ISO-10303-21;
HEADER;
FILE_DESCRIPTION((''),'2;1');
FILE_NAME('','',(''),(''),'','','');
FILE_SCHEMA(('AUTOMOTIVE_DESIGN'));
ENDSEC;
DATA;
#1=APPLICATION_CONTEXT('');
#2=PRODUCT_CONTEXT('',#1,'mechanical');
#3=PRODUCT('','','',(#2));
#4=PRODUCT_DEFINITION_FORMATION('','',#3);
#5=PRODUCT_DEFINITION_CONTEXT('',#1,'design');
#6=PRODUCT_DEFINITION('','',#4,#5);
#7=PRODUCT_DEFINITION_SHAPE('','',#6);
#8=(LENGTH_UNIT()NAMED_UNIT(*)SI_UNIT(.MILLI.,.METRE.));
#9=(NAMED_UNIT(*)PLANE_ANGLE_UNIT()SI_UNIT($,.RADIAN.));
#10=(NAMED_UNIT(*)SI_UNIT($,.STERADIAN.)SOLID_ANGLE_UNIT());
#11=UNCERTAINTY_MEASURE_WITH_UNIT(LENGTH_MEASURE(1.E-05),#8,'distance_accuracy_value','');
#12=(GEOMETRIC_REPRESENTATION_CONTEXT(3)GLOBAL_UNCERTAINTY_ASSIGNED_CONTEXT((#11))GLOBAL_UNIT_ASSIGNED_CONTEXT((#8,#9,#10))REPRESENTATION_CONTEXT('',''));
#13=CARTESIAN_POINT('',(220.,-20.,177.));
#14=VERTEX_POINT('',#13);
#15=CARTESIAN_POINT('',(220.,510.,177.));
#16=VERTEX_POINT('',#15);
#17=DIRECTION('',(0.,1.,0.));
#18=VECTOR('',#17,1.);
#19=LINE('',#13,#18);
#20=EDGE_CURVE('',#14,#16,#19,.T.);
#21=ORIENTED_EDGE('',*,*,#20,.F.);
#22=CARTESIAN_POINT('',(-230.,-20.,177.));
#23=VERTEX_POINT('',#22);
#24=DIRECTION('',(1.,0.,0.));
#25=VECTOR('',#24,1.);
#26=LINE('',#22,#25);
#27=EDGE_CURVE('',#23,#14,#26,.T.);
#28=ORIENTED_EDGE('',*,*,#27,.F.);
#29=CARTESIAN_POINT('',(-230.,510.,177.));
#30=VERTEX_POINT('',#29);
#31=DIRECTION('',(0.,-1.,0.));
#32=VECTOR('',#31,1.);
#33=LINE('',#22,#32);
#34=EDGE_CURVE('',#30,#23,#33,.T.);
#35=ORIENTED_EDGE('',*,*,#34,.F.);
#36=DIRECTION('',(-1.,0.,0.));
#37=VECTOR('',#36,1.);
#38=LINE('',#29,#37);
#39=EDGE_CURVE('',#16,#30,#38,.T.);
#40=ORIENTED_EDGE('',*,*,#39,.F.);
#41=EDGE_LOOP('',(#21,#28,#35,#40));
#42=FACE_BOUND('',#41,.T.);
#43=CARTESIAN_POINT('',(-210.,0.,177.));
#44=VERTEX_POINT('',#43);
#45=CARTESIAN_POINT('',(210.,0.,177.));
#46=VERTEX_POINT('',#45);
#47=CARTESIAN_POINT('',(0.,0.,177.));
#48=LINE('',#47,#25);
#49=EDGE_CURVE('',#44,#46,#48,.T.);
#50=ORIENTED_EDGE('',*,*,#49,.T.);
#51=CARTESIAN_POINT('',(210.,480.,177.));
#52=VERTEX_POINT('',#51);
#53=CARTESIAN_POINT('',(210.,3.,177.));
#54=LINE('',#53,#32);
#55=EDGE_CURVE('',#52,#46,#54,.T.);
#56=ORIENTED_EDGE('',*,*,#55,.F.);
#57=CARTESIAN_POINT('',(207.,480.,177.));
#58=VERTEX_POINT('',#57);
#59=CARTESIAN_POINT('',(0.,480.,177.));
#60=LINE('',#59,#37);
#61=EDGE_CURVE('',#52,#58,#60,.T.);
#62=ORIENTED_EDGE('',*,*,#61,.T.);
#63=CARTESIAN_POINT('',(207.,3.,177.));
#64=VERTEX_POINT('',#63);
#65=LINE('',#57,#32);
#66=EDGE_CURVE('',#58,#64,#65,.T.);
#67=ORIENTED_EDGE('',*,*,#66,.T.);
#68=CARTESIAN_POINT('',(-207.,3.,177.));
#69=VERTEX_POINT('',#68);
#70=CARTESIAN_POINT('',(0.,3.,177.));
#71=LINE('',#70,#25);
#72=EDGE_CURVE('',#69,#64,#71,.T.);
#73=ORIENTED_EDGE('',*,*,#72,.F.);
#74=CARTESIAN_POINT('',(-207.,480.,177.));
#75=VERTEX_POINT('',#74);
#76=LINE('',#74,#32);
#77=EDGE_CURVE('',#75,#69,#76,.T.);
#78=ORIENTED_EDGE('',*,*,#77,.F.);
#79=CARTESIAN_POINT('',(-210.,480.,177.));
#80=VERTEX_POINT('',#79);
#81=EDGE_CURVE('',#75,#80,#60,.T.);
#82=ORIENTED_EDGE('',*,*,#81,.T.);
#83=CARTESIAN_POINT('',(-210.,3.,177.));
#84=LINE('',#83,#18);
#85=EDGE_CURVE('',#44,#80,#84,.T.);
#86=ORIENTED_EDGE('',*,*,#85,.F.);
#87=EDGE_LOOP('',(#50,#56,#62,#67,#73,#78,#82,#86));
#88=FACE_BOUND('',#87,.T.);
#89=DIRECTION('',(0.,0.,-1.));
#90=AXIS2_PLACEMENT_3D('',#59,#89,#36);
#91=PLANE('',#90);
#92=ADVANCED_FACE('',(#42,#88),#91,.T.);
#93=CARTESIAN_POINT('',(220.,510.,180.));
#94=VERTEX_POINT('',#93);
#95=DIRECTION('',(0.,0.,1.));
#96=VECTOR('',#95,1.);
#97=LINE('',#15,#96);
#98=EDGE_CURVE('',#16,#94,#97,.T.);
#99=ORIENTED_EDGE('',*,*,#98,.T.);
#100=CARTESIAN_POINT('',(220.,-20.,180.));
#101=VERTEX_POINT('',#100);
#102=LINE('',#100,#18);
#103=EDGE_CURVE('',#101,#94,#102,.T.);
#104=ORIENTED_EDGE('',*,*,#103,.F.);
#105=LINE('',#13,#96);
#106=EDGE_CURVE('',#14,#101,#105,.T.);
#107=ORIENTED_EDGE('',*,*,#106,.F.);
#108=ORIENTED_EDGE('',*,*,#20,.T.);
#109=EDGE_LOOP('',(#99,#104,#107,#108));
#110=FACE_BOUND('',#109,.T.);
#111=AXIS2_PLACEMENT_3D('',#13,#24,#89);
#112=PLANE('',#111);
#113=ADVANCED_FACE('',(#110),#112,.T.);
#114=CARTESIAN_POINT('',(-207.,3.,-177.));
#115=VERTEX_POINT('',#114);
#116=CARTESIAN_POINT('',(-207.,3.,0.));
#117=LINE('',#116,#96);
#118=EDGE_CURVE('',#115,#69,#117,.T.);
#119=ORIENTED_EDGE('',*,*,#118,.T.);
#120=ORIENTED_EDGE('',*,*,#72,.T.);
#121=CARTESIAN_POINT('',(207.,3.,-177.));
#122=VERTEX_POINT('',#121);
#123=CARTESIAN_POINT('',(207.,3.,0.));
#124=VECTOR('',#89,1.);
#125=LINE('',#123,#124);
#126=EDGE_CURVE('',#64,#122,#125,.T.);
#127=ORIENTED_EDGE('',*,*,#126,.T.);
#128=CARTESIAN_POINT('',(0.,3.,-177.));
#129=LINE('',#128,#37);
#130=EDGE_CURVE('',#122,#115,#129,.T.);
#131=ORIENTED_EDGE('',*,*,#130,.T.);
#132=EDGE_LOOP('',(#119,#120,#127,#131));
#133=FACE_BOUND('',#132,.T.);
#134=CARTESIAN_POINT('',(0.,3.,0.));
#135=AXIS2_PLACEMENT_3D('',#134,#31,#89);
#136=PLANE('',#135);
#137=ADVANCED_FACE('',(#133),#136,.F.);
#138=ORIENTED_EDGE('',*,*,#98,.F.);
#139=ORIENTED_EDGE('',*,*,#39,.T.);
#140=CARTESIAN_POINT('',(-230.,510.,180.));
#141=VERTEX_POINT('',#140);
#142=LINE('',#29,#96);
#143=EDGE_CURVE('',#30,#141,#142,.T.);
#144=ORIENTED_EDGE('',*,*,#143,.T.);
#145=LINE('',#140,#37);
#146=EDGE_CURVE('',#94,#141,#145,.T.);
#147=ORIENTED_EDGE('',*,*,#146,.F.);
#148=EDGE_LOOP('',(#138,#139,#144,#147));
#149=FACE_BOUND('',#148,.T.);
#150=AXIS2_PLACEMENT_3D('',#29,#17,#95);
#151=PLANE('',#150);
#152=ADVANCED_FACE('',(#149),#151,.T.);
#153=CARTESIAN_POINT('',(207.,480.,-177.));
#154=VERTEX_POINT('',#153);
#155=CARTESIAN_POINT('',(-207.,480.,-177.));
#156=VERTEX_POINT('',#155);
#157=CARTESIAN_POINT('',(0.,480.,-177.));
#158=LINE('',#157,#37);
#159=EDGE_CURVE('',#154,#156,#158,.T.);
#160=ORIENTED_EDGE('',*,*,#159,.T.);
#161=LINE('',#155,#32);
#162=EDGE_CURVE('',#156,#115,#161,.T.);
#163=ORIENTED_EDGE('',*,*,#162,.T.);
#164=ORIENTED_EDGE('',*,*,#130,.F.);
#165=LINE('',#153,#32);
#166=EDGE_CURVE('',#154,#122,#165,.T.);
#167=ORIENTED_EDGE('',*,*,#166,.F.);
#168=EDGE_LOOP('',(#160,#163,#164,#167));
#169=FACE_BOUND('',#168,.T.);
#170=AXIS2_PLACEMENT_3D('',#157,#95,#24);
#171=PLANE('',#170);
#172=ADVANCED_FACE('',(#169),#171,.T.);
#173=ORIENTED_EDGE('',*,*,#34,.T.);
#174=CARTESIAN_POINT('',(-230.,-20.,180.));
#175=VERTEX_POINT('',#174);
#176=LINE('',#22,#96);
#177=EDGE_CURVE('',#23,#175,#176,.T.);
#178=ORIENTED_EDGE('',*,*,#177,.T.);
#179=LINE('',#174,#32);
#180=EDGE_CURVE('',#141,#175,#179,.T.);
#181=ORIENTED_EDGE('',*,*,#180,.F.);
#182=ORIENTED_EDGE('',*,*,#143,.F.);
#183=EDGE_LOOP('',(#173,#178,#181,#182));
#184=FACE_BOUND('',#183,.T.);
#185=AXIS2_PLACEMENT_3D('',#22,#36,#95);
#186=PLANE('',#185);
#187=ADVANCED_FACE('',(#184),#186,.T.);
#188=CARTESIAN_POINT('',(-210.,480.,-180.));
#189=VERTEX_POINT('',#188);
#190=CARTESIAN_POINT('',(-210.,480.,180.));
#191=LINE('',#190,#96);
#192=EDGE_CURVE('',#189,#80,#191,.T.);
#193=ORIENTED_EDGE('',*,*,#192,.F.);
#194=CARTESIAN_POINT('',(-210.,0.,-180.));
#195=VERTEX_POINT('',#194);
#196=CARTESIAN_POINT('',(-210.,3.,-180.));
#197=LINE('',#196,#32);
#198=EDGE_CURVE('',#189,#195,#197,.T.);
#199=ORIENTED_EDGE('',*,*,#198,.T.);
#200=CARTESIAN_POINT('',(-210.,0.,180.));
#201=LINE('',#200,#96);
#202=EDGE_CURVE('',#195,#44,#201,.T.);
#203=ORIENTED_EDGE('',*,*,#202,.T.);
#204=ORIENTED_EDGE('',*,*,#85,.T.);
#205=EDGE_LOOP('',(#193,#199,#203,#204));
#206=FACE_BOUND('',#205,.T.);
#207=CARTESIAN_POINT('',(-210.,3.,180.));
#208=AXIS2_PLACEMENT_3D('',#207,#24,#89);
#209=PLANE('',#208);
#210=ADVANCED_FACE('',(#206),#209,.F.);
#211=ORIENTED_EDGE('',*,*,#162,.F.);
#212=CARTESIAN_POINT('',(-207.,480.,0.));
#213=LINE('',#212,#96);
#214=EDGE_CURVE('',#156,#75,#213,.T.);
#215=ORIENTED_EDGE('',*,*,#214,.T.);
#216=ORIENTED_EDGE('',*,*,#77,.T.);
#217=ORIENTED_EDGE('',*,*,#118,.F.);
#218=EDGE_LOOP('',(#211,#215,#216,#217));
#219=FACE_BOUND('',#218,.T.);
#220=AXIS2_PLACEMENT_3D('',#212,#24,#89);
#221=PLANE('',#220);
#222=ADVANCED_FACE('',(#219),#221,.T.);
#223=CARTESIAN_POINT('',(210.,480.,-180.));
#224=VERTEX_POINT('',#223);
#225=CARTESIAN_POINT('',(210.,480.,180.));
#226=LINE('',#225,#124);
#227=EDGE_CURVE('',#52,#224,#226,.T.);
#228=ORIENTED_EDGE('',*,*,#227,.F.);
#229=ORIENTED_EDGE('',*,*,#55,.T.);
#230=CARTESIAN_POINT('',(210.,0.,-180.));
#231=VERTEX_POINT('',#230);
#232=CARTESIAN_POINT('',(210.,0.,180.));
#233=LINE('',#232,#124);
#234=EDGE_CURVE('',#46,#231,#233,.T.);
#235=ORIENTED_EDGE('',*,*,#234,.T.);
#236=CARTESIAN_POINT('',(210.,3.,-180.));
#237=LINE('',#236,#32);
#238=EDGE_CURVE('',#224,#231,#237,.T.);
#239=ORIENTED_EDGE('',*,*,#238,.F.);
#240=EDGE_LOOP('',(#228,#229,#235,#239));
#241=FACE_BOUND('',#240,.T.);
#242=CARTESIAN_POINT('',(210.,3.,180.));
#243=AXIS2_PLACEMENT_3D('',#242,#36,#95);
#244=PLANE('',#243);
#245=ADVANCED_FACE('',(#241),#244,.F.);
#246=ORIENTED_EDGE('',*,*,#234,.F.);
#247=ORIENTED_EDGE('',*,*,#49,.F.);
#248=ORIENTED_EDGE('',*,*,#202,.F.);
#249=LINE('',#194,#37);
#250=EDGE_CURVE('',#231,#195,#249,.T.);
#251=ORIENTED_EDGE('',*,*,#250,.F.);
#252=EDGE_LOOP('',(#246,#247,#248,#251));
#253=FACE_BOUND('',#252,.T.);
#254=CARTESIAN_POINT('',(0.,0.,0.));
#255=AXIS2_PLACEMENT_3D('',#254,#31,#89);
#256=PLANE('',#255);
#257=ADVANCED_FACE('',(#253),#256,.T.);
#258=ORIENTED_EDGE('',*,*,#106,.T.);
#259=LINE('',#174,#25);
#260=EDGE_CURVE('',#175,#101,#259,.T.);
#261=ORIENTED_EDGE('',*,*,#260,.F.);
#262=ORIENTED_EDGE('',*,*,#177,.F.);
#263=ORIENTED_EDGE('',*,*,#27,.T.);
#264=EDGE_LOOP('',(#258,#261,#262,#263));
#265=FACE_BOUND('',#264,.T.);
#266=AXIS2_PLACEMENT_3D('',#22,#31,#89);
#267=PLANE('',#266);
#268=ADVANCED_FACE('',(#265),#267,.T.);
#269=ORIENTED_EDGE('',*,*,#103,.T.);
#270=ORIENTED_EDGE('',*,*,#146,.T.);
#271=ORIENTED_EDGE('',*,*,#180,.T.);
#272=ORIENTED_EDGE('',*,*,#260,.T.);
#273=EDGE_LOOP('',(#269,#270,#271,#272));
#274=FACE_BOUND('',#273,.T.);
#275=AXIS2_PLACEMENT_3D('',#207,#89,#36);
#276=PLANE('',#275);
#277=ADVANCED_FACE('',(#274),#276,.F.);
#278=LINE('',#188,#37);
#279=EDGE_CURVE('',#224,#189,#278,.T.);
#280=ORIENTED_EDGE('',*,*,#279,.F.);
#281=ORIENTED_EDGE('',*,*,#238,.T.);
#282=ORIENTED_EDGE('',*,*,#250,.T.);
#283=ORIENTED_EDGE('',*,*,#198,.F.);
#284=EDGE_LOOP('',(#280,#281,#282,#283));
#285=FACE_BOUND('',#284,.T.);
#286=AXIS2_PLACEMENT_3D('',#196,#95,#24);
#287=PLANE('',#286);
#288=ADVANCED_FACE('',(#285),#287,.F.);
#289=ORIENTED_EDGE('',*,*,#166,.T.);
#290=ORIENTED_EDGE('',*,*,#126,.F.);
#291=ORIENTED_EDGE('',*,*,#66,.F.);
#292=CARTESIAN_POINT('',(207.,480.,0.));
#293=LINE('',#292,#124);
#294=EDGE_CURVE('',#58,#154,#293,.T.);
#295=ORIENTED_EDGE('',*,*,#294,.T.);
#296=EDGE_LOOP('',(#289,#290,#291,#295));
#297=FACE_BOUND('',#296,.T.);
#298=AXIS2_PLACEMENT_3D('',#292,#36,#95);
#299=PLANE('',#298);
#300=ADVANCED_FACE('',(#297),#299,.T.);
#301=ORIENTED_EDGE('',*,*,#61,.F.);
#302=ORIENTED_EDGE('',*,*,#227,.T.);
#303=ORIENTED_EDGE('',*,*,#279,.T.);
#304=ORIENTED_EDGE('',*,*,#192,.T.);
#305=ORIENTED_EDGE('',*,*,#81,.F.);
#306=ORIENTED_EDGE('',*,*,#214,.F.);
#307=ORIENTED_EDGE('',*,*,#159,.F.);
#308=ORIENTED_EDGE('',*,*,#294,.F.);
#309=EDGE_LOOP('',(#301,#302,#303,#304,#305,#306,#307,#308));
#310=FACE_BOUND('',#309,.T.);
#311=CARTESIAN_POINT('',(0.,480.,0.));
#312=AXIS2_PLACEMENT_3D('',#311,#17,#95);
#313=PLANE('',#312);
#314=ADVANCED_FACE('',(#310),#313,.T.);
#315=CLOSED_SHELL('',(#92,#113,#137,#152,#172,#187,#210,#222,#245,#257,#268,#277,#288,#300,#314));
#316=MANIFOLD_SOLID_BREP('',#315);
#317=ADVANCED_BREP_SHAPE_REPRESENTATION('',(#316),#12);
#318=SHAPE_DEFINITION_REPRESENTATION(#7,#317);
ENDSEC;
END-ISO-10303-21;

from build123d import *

# Parameters (mm, degrees)
SKETCH_1_W        = 420
SKETCH_1_H        = 360
EXTRUDE_1_DEPTH   = 3
SKETCH_2_W        = 420
SKETCH_2_H        = 360
SKETCH_2_W_2      = 414
SKETCH_2_H_2      = 354
EXTRUDE_1_2_DEPTH = 477
SKETCH_3_W        = 450
SKETCH_3_H        = 530
EXTRUDE_2_DEPTH   = 3


with BuildPart() as part:
    # 草图1 → Extrude 1 (new body)
    with BuildSketch(Plane(origin=(0, 0, 0), x_dir=(1, 0, 0), z_dir=(0, 1, 0))):
        Rectangle(SKETCH_1_W, SKETCH_1_H)
    extrude(amount=EXTRUDE_1_DEPTH)

    # 草图2 → Extrude 1 2 (add)
    with BuildSketch(Plane(origin=(0, 3, 0), x_dir=(1, 0, 0), z_dir=(0, 1, 0))):
        Rectangle(SKETCH_2_W, SKETCH_2_H)
        Rectangle(SKETCH_2_W_2, SKETCH_2_H_2, mode=Mode.SUBTRACT)
    extrude(amount=EXTRUDE_1_2_DEPTH)

    # 草图3 → 凸台-拉伸2 (add)
    with BuildSketch(Plane.XY.offset(180)):
        with Locations((-5, 245)):
            Rectangle(SKETCH_3_W, SKETCH_3_H)
    extrude(amount=-EXTRUDE_2_DEPTH)


solid = part.part
